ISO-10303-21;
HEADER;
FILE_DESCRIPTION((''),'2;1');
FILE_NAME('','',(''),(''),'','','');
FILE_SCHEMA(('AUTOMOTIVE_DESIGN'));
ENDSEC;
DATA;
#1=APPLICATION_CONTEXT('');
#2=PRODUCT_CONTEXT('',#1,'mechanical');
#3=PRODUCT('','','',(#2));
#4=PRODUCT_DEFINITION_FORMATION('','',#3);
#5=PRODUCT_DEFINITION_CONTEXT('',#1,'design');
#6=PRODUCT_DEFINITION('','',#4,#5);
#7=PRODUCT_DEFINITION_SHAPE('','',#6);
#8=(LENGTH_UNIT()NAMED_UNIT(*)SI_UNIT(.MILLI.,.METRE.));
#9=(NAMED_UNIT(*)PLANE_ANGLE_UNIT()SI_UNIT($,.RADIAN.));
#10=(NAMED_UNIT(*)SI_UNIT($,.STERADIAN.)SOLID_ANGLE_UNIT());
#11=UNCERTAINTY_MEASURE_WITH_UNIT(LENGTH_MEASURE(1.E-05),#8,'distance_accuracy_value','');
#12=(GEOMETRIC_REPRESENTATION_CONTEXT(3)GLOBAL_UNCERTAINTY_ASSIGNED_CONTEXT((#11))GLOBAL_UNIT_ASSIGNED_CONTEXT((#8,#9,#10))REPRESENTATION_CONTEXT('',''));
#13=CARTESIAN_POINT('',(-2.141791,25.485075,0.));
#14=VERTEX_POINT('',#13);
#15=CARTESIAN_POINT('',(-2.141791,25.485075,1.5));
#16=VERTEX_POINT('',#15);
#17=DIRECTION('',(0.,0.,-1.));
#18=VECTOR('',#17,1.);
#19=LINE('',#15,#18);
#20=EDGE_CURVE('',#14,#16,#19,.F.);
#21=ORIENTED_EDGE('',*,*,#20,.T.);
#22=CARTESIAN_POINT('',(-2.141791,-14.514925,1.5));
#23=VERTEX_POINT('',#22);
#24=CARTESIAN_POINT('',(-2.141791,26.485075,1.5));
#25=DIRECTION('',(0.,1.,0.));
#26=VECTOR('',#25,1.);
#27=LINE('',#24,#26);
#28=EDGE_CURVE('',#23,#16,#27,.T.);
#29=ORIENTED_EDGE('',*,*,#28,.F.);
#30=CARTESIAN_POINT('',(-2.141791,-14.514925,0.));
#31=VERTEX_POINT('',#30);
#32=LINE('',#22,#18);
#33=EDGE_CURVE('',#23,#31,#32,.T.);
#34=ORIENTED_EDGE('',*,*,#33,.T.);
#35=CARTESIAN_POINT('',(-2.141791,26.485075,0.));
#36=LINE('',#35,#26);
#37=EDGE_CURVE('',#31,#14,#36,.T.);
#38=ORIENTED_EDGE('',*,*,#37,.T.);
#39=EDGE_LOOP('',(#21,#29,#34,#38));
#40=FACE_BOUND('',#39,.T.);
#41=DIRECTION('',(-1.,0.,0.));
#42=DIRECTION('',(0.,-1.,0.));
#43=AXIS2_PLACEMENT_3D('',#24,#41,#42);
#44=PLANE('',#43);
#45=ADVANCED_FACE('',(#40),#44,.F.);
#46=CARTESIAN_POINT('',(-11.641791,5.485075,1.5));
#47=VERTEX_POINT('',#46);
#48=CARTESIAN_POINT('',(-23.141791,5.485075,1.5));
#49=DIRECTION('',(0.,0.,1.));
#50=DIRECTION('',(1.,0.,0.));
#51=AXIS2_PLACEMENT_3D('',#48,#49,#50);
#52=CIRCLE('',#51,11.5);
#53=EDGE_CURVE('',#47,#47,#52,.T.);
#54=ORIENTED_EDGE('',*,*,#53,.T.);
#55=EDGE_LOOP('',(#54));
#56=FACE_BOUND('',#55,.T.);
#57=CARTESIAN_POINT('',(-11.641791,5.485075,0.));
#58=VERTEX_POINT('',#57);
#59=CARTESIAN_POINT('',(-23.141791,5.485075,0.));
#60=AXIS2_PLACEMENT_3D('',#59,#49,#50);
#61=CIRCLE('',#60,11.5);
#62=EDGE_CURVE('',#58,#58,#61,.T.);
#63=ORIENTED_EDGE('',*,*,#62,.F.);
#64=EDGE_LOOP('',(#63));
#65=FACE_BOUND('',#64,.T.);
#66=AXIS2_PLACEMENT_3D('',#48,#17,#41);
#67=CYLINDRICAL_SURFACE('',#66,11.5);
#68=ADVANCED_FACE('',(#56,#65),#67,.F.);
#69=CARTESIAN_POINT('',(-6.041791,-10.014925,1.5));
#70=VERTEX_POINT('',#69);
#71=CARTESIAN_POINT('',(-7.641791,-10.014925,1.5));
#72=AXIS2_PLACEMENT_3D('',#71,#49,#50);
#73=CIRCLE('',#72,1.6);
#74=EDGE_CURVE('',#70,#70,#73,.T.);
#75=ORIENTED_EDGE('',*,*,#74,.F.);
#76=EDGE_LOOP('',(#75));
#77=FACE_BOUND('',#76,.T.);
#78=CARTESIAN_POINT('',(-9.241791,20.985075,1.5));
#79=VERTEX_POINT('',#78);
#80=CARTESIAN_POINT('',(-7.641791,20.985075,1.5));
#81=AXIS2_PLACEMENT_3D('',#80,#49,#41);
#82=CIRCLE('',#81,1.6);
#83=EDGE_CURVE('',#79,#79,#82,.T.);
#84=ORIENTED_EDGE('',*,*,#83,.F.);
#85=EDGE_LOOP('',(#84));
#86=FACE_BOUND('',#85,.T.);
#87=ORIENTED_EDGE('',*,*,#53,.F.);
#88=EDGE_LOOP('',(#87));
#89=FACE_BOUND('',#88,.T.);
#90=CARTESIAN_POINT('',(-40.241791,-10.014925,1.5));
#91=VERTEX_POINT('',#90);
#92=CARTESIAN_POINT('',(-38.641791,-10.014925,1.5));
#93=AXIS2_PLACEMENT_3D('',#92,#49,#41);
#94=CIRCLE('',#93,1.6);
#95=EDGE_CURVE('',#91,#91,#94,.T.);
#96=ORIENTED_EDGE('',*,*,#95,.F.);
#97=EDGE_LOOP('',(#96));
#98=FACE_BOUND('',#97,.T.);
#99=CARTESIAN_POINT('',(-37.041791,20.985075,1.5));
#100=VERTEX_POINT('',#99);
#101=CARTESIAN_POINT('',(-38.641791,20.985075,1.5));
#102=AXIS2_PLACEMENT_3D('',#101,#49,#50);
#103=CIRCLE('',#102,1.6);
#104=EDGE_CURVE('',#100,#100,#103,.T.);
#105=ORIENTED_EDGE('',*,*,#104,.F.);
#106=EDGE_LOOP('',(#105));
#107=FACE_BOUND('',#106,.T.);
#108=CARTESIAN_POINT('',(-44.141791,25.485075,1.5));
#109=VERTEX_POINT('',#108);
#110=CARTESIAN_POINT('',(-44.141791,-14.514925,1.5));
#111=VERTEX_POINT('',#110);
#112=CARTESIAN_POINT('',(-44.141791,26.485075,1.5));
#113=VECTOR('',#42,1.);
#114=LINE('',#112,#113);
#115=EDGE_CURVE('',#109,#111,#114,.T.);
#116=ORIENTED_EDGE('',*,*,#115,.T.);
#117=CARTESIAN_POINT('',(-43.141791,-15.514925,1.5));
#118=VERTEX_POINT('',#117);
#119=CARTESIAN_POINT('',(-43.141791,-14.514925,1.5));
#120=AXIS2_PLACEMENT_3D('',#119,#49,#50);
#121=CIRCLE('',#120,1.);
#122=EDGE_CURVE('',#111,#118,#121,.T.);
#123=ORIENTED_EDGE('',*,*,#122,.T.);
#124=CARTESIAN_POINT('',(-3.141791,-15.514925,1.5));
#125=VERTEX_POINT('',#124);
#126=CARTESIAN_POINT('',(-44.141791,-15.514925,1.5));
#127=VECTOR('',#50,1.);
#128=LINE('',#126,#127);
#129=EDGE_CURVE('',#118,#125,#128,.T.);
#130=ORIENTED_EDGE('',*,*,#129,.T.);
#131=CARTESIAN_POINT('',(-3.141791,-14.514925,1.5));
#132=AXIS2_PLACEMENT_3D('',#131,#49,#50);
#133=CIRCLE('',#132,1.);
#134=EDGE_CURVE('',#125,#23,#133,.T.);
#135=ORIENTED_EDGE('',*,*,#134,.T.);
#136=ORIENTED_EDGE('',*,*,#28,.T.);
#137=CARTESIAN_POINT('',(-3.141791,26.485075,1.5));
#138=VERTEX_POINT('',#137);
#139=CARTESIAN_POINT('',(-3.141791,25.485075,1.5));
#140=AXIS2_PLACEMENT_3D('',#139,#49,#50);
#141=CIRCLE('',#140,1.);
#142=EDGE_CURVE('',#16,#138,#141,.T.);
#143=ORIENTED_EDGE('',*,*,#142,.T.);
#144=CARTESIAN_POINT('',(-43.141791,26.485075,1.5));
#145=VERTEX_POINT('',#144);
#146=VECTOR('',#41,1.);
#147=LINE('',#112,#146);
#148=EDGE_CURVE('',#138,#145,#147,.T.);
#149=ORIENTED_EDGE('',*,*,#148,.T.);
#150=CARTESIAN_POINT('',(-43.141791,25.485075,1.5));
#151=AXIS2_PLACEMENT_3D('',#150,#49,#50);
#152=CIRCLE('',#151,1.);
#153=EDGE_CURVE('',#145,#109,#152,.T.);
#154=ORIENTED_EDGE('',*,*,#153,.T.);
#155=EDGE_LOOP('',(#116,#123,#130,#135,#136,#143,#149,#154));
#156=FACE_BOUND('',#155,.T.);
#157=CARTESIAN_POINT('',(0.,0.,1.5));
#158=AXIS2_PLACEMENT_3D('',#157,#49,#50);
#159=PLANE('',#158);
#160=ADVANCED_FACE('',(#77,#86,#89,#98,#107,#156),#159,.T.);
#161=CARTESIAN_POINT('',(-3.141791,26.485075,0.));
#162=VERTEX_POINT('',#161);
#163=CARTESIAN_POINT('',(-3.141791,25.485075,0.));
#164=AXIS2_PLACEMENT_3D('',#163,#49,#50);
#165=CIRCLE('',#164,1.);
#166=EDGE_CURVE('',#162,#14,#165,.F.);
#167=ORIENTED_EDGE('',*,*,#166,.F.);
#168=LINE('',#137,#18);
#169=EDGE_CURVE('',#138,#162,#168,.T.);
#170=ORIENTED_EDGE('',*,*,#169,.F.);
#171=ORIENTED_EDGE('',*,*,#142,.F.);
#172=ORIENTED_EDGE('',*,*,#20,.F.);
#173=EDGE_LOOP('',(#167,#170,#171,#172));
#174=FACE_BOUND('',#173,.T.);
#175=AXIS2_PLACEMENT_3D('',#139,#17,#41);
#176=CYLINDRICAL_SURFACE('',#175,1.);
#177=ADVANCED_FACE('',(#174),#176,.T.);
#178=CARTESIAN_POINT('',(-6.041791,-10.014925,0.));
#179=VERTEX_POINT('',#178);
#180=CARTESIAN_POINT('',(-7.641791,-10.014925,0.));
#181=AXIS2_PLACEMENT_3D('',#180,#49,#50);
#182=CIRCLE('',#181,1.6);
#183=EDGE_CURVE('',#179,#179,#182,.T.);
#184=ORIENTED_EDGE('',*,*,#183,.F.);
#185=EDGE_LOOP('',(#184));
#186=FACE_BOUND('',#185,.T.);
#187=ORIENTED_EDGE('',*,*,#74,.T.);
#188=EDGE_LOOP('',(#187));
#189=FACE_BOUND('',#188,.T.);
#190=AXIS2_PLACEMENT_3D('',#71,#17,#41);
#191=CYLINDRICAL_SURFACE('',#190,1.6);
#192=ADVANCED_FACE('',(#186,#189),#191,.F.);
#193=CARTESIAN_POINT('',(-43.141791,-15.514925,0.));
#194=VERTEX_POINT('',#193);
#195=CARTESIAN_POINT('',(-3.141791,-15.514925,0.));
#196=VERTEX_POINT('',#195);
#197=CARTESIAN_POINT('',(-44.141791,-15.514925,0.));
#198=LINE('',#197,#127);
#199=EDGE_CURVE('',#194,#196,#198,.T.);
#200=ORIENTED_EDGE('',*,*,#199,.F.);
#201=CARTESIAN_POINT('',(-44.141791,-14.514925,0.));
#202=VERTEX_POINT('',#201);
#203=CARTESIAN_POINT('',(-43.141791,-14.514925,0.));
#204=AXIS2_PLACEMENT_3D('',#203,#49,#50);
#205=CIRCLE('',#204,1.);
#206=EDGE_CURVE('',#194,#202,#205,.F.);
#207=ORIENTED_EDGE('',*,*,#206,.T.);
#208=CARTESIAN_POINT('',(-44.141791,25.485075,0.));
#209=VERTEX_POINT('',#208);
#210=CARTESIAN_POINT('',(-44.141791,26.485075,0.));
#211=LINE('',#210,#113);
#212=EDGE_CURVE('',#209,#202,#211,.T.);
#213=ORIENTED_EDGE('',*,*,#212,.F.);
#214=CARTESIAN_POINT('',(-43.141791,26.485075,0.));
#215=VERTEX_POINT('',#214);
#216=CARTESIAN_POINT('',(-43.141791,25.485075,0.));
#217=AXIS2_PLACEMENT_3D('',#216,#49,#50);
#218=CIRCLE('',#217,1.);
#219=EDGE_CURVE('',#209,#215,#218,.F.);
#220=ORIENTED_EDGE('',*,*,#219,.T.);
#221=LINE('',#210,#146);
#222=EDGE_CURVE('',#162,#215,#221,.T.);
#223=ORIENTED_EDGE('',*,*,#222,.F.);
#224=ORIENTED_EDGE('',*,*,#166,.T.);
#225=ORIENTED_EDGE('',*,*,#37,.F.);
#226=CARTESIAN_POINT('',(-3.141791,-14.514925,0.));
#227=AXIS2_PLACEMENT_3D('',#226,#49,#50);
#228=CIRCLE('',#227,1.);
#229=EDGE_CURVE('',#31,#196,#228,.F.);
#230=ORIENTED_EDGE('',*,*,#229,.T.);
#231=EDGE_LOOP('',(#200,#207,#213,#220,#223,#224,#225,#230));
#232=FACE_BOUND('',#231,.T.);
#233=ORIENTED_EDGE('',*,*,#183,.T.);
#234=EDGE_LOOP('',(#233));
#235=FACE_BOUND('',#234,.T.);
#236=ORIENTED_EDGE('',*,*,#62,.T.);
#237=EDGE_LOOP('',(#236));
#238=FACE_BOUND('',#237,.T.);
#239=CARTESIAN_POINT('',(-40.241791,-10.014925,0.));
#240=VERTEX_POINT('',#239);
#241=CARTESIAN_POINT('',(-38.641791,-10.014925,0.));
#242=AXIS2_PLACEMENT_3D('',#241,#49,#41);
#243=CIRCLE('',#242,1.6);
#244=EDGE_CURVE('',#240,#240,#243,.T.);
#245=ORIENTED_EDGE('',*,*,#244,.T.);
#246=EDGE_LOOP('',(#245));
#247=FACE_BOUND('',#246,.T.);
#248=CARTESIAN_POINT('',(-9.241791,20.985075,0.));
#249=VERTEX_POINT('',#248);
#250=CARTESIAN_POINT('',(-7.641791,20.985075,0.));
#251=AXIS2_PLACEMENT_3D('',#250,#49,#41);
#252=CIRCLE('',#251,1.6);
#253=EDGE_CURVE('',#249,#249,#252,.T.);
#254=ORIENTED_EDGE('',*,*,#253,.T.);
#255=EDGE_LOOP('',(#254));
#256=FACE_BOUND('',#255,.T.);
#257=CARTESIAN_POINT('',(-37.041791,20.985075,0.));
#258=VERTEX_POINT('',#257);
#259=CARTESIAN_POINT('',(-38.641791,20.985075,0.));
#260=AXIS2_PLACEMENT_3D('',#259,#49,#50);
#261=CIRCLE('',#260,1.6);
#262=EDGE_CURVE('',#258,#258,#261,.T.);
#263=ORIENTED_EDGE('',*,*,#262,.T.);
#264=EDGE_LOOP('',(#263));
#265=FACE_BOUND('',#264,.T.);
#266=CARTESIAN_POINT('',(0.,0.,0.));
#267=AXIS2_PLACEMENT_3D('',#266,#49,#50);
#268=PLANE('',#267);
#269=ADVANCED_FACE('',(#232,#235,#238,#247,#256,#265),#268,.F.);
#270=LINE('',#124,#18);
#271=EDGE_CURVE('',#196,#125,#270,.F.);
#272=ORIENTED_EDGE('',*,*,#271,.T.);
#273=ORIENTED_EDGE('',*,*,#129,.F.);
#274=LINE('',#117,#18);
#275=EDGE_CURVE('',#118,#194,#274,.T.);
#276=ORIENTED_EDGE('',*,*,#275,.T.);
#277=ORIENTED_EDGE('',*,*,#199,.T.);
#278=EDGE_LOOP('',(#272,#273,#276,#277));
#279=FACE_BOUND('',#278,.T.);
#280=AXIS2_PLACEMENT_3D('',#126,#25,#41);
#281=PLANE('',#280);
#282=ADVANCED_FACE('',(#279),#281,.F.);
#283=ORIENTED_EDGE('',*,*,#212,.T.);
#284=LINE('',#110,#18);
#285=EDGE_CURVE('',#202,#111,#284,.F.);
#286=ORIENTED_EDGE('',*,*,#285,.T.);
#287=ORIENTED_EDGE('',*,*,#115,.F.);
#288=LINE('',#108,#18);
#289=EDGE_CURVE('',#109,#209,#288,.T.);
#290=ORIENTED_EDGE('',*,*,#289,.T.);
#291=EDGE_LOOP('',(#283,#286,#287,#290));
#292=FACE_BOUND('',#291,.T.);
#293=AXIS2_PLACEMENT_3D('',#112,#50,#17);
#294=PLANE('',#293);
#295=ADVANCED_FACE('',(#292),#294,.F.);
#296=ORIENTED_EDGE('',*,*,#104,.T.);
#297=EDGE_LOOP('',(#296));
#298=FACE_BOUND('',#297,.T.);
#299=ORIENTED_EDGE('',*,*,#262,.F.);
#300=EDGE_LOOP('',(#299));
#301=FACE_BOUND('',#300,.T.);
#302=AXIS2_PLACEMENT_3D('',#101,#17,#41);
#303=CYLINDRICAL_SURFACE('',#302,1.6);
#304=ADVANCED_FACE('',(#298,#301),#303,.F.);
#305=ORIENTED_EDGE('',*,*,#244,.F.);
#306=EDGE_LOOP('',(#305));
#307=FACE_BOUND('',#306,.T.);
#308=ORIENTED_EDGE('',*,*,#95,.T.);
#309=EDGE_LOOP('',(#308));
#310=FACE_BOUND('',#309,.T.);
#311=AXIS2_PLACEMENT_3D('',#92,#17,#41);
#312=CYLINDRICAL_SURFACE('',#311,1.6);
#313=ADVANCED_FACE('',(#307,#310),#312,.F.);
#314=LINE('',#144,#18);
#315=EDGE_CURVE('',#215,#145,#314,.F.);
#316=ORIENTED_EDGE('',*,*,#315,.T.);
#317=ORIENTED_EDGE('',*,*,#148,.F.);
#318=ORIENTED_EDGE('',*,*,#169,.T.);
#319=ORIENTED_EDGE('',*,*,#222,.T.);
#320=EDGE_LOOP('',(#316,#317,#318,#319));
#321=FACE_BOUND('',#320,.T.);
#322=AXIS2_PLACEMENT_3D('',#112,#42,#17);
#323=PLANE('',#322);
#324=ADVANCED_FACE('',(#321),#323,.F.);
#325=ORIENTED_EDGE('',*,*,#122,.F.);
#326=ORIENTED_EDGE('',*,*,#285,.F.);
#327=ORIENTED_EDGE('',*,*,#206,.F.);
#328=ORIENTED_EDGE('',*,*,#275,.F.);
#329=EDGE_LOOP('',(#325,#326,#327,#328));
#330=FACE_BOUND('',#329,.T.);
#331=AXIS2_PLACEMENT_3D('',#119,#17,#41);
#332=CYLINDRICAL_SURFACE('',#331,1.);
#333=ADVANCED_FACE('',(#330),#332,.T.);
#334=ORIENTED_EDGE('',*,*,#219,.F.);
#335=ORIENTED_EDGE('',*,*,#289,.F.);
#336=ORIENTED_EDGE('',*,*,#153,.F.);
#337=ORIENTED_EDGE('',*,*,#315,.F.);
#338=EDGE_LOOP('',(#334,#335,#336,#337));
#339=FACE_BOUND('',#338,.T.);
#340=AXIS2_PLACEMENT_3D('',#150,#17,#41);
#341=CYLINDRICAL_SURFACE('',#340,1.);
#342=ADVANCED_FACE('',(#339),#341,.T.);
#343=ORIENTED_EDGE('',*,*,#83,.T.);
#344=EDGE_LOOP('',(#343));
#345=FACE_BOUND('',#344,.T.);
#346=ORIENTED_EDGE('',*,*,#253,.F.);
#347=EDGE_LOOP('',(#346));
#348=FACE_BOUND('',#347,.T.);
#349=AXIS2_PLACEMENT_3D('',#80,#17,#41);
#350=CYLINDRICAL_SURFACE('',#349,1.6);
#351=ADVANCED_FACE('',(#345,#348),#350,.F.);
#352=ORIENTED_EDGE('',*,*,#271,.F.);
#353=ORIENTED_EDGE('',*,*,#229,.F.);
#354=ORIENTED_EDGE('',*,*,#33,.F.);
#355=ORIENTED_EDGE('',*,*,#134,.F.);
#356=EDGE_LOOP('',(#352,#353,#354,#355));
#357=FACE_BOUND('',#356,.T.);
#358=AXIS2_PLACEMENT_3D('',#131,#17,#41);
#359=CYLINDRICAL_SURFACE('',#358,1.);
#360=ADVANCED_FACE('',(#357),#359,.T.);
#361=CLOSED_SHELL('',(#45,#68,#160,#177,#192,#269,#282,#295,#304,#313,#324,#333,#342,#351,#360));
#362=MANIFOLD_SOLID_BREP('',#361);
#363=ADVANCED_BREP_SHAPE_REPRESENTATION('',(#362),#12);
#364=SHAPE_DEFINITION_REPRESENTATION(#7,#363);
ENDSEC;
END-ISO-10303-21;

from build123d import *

# Parameters (mm, degrees)
SKETCH_1_W      = 42
SKETCH_1_H      = 42
SKETCH_1_R      = 1.6
SKETCH_1_R_2    = 11.5
EXTRUDE_1_DEPTH = 1.5
FILLET_1_R      = 1


with BuildPart() as part:
    # 草图1 → 凸台-拉伸1 (new body)
    with BuildSketch(Plane.XY):
        with Locations((-23.141791045, 5.485074627)):
            Rectangle(SKETCH_1_W, SKETCH_1_H)
        with Locations((-38.641791045, 20.985074627)):
            Circle(SKETCH_1_R, mode=Mode.SUBTRACT)
        with Locations((-23.141791045, 5.485074627)):
            Circle(SKETCH_1_R_2, mode=Mode.SUBTRACT)
        with Locations(Location((-7.641791045, 20.985074627, 0), (0, 0, 180))):
            Circle(SKETCH_1_R, mode=Mode.SUBTRACT)
        with Locations((-7.641791045, -10.014925373)):
            Circle(SKETCH_1_R, mode=Mode.SUBTRACT)
        with Locations(Location((-38.641791045, -10.014925373, 0), (0, 0, 180))):
            Circle(SKETCH_1_R, mode=Mode.SUBTRACT)
    extrude(amount=EXTRUDE_1_DEPTH)

    # 圆角1
    fillet_1_edges = [part.edges().sort_by_distance(p)[0] for p in [
        (-44.141791045, 26.485074627, 0.75),
        (-2.141791045, 26.485074627, 0.75),
        (-2.141791045, -15.514925373, 0.75),
        (-44.141791045, -15.514925373, 0.75),
    ]]
    fillet(fillet_1_edges, radius=FILLET_1_R)


solid = part.part
